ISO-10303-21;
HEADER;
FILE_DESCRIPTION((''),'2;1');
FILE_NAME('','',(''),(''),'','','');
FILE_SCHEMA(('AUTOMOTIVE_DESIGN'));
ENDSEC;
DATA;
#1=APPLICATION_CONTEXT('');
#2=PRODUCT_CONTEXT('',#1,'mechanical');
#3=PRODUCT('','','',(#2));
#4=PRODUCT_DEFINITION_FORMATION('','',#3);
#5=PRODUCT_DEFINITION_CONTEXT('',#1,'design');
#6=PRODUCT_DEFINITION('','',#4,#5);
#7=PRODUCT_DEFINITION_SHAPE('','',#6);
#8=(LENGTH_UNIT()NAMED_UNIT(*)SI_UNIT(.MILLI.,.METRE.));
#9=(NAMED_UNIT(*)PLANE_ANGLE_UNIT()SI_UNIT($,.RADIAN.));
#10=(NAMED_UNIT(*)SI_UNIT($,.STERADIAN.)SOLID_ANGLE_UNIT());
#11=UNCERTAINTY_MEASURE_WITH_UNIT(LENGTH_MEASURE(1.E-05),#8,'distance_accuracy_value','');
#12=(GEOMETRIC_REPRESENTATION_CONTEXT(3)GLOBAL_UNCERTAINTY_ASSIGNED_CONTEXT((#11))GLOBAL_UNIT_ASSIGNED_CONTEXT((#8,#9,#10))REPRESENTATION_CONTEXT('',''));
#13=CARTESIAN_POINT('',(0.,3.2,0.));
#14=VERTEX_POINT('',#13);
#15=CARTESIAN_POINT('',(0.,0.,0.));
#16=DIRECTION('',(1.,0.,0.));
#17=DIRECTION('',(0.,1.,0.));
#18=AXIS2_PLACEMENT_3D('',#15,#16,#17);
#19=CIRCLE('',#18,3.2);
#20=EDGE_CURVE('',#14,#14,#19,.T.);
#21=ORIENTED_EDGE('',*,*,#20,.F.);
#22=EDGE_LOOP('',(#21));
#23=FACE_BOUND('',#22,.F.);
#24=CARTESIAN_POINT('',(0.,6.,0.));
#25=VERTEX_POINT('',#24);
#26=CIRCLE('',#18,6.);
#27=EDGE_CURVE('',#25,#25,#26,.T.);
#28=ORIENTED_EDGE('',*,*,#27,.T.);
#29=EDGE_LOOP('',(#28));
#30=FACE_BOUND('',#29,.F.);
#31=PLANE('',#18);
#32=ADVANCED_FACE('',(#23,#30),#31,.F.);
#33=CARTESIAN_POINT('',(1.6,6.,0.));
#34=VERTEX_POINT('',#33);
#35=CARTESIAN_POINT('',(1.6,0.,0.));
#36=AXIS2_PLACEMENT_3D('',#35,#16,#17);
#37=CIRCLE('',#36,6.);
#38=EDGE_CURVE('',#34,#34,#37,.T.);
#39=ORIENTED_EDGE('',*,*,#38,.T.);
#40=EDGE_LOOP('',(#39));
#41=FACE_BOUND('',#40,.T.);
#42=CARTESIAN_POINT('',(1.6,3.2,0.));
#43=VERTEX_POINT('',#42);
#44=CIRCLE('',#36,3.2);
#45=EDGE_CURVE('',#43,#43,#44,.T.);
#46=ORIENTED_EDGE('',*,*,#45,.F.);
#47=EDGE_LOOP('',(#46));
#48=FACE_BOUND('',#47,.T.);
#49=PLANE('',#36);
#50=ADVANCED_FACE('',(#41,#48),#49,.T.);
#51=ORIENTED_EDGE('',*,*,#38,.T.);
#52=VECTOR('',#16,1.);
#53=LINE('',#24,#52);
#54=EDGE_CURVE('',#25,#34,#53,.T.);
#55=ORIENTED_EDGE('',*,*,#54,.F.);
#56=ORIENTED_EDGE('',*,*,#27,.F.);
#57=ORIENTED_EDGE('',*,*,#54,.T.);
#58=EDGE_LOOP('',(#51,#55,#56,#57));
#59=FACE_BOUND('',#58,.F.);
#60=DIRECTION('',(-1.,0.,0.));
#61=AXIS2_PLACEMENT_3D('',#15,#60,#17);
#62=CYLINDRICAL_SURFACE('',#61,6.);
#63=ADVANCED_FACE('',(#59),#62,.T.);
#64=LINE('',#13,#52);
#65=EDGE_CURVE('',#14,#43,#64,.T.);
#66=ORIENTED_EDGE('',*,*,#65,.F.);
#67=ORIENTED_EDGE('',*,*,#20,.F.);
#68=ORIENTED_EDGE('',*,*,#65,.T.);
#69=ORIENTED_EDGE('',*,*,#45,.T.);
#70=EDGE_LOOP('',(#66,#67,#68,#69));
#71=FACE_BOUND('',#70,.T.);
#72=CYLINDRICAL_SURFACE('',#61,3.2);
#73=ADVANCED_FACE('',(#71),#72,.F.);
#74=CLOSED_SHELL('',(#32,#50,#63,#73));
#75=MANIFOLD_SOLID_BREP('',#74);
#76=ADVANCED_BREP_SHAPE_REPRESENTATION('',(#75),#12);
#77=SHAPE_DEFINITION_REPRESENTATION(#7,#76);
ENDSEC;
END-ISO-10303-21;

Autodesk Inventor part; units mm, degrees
ref_plane "YZ Plane" through (0, 0, 0) normal (1, 0, 0) x (0, 1, 0)
ref_plane "XZ Plane" through (0, 0, 0) normal (0, 1, 0) x (-1, 0, 0)
sketch "Skizze" plane through (0, 0, 0) normal (1, 0, 0) x (0, 1, 0)
  circle A0 centre (0, 0) radius 6
  circle A1 centre (0, 0) radius 3.2
  dimension "d0" = 6.4
  dimension "d1" = 12
extrude "Körper" add sketch "Skizze" along normal blind 1.6
ref_plane "Work Plane1" through (0, 0, 0) normal (0, 0, 1) x (1, 0, 0)
equation "\"d0\" = SD1"
equation "\"d1\" = SD2"
equation "\"d2\" = SD"
equation "\"SD1\" = 6.4"
equation "\"SD2\" = 12"
equation "\"SD\" = 1.6"
equation "\"NND\" = 6"
properties part number "DIN 125-2 - B 6,4" material "Stahl, weich"
